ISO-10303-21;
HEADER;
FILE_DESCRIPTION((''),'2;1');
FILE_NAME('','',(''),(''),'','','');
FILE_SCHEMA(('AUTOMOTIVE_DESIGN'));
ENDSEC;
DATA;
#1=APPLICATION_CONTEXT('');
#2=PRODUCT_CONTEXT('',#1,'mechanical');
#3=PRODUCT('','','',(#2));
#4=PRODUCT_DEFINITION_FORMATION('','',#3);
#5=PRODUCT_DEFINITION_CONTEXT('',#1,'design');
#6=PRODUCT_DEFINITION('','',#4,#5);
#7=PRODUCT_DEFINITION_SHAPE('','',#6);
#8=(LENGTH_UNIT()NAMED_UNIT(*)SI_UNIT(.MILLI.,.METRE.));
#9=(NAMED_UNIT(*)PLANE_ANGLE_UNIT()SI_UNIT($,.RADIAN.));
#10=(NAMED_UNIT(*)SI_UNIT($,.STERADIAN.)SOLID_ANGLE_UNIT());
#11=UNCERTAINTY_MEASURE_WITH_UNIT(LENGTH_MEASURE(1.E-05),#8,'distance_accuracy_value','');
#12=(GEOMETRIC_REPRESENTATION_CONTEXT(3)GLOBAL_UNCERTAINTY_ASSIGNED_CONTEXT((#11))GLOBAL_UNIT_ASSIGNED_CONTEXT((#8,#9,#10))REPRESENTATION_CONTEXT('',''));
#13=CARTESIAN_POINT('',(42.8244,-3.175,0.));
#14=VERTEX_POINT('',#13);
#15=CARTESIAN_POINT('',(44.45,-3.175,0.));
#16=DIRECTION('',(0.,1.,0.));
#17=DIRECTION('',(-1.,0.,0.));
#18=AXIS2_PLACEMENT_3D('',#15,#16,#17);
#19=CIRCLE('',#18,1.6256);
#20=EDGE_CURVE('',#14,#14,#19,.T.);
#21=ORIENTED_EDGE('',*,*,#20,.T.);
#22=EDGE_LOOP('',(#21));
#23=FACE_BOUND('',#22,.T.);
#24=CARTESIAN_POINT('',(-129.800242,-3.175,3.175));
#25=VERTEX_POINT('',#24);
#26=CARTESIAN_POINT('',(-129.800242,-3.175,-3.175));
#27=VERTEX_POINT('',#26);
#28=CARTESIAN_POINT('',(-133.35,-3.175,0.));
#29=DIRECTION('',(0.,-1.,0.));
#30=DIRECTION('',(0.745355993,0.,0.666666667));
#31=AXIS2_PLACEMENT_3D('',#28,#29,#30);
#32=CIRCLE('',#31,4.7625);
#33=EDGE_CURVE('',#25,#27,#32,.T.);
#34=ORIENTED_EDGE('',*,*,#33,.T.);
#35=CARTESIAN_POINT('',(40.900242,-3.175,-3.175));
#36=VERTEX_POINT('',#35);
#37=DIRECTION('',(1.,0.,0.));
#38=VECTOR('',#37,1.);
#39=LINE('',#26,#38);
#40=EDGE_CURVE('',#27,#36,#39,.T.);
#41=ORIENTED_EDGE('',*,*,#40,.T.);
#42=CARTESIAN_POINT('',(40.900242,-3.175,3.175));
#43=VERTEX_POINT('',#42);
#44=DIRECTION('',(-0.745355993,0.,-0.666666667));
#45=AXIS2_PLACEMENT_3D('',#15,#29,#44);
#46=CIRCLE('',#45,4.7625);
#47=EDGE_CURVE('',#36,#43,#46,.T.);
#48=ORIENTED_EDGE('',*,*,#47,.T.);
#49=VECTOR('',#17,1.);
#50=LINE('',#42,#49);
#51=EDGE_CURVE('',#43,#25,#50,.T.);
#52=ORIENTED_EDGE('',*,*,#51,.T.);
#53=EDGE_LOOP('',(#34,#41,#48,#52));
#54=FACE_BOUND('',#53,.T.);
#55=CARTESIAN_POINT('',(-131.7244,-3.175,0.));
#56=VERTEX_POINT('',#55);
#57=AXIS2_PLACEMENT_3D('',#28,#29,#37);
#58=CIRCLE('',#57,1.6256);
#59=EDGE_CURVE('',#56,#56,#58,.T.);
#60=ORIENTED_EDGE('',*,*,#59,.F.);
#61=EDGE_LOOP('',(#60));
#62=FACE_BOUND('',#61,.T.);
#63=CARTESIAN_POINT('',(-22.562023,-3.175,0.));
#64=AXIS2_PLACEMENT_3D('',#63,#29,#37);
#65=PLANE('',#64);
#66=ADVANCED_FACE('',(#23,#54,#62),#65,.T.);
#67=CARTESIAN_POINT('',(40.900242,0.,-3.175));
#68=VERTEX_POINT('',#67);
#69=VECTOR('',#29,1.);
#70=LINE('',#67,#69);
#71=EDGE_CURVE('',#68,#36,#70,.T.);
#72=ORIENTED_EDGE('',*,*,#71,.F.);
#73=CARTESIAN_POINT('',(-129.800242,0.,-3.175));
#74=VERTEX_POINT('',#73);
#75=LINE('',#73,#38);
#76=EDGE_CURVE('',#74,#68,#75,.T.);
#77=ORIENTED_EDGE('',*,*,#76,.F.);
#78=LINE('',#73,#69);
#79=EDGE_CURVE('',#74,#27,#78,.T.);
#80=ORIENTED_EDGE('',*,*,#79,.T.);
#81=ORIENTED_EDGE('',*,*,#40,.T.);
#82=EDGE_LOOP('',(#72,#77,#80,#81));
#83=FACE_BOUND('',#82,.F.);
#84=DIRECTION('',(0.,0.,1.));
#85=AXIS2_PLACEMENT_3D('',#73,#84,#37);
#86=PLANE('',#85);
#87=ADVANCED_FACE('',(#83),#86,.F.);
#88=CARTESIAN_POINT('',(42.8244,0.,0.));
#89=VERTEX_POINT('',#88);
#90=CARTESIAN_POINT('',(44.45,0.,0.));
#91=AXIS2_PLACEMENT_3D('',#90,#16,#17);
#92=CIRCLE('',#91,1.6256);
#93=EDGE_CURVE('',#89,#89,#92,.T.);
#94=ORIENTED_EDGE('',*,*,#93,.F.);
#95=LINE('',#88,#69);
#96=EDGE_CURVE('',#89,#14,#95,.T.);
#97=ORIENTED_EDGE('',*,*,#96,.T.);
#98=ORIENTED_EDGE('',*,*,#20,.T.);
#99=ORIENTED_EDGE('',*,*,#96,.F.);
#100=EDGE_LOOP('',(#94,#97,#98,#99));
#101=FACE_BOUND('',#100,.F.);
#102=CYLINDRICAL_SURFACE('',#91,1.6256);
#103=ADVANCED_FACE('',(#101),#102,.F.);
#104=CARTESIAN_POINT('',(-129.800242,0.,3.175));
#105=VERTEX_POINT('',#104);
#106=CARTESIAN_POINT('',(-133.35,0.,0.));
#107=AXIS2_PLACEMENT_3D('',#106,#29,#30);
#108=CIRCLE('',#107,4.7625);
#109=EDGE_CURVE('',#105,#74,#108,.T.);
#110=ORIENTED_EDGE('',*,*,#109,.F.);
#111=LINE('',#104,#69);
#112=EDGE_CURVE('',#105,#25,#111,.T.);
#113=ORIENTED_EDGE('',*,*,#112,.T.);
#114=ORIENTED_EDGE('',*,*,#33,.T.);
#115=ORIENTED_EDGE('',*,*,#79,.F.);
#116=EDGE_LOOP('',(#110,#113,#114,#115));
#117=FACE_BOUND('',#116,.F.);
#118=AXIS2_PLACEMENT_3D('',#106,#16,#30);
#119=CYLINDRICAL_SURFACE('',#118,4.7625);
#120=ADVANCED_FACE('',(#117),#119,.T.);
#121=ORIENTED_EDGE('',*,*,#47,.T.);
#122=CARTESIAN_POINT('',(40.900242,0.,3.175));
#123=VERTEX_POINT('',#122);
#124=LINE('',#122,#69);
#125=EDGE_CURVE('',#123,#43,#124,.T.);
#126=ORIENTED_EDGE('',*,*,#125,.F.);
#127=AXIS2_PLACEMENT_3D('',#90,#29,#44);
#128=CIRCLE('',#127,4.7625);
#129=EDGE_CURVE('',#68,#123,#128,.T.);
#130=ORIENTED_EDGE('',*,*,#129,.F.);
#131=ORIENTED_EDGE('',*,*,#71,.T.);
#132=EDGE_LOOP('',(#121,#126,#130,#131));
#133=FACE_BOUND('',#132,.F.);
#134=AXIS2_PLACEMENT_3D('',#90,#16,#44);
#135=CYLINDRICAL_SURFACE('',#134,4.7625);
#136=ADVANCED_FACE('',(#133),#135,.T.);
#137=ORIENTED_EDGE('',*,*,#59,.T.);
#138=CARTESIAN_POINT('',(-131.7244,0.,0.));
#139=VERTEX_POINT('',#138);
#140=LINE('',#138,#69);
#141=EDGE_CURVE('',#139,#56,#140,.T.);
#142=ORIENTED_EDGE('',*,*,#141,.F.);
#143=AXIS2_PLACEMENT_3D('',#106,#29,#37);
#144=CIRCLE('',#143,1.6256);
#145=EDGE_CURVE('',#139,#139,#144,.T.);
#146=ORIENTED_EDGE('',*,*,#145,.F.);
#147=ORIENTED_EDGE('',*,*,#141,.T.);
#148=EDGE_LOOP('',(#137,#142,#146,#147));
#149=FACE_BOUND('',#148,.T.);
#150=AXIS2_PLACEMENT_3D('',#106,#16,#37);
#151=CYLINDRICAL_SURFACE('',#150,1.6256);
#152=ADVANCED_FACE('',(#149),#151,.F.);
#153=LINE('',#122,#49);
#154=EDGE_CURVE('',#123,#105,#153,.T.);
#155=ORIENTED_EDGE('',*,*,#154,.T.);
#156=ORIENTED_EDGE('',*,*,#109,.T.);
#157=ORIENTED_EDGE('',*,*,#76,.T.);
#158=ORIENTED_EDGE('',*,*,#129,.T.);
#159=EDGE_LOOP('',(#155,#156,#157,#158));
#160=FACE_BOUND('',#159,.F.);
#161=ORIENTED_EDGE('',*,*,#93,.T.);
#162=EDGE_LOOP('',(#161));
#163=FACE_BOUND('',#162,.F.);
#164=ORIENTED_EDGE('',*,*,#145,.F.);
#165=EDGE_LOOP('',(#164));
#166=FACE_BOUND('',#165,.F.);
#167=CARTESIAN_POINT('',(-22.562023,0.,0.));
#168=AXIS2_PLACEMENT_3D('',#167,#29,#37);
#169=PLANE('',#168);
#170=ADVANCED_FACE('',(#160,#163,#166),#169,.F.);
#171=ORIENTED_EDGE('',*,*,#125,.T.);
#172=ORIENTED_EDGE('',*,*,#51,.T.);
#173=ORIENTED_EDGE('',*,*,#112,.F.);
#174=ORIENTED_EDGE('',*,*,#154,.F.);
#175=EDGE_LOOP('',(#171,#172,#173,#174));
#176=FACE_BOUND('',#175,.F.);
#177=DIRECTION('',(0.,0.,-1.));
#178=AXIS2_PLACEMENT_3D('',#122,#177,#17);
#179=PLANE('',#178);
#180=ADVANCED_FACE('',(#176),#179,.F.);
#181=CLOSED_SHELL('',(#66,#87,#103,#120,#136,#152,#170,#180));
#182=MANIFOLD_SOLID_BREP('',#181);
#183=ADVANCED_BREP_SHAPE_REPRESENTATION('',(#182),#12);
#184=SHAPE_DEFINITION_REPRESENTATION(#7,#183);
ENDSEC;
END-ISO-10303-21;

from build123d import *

# Parameters (mm, degrees)
F0_R     = 1.6256
F1_DEPTH = 3.175


with BuildPart() as f1:
    # F0 (on Front) → F1 (new body)
    with BuildSketch(Plane.XZ):
        with BuildLine():
            Line((0, -3.175), (0, 0))
            Line((0, 0), (0, 3.175))
            Line((0, 3.175), (-40.9002420857, 3.175))
            Line((-40.9002420857, 3.175), (-44.45, 3.175))
            Line((-44.45, 3.175), (-44.45, 1.6256))
            ThreePointArc((-44.45, 1.6256), (-43.3005272165, 1.1494727835), (-42.8244, 0))
            ThreePointArc((-42.8244, 0), (-43.3005272165, -1.1494727835), (-44.45, -1.6256))
            Line((-44.45, -1.6256), (-44.45, -3.175))
            Line((-44.45, -3.175), (-40.9002420857, -3.175))
            Line((-40.9002420857, -3.175), (0, -3.175))
        make_face()
        with BuildLine():
            Line((0, 3.175), (0, 0))
            Line((0, 0), (0, -3.175))
            Line((0, -3.175), (40.9002420857, -3.175))
            ThreePointArc((40.9002420857, -3.175), (49.2125, 0), (40.9002420857, 3.175))
            Line((40.9002420857, 3.175), (0, 3.175))
        make_face()
        with BuildLine():
            ThreePointArc((46.0756, 0), (44.45, -1.6256), (42.8244, 0))
            ThreePointArc((42.8244, 0), (44.45, 1.6256), (46.0756, 0))
        make_face(mode=Mode.SUBTRACT)
        with BuildLine():
            ThreePointArc((-47.9997579143, -3.175), (-49.2125, 0), (-47.9997579143, 3.175))
            Line((-47.9997579143, 3.175), (-88.9, 3.175))
            Line((-88.9, 3.175), (-129.8002420857, 3.175))
            ThreePointArc((-129.8002420857, 3.175), (-138.1125, 0), (-129.8002420857, -3.175))
            Line((-129.8002420857, -3.175), (-88.9, -3.175))
            Line((-88.9, -3.175), (-47.9997579143, -3.175))
        make_face()
        with Locations((-133.35, 0)):
            Circle(F0_R, mode=Mode.SUBTRACT)
        with BuildLine():
            Line((-44.45, 1.6256), (-44.45, 3.175))
            Line((-44.45, 3.175), (-47.9997579143, 3.175))
            ThreePointArc((-47.9997579143, 3.175), (-49.2125, 0), (-47.9997579143, -3.175))
            Line((-47.9997579143, -3.175), (-44.45, -3.175))
            Line((-44.45, -3.175), (-44.45, -1.6256))
            ThreePointArc((-44.45, -1.6256), (-46.0756, 0), (-44.45, 1.6256))
        make_face()
        with BuildLine():
            Line((-44.45, -1.6256), (-44.45, 1.6256))
            ThreePointArc((-44.45, 1.6256), (-46.0756, 0), (-44.45, -1.6256))
        make_face()
        with BuildLine():
            ThreePointArc((-42.8244, 0), (-43.3005272165, 1.1494727835), (-44.45, 1.6256))
            Line((-44.45, 1.6256), (-44.45, -1.6256))
            ThreePointArc((-44.45, -1.6256), (-43.3005272165, -1.1494727835), (-42.8244, 0))
        make_face()
    extrude(amount=F1_DEPTH)


solid = f1.part
